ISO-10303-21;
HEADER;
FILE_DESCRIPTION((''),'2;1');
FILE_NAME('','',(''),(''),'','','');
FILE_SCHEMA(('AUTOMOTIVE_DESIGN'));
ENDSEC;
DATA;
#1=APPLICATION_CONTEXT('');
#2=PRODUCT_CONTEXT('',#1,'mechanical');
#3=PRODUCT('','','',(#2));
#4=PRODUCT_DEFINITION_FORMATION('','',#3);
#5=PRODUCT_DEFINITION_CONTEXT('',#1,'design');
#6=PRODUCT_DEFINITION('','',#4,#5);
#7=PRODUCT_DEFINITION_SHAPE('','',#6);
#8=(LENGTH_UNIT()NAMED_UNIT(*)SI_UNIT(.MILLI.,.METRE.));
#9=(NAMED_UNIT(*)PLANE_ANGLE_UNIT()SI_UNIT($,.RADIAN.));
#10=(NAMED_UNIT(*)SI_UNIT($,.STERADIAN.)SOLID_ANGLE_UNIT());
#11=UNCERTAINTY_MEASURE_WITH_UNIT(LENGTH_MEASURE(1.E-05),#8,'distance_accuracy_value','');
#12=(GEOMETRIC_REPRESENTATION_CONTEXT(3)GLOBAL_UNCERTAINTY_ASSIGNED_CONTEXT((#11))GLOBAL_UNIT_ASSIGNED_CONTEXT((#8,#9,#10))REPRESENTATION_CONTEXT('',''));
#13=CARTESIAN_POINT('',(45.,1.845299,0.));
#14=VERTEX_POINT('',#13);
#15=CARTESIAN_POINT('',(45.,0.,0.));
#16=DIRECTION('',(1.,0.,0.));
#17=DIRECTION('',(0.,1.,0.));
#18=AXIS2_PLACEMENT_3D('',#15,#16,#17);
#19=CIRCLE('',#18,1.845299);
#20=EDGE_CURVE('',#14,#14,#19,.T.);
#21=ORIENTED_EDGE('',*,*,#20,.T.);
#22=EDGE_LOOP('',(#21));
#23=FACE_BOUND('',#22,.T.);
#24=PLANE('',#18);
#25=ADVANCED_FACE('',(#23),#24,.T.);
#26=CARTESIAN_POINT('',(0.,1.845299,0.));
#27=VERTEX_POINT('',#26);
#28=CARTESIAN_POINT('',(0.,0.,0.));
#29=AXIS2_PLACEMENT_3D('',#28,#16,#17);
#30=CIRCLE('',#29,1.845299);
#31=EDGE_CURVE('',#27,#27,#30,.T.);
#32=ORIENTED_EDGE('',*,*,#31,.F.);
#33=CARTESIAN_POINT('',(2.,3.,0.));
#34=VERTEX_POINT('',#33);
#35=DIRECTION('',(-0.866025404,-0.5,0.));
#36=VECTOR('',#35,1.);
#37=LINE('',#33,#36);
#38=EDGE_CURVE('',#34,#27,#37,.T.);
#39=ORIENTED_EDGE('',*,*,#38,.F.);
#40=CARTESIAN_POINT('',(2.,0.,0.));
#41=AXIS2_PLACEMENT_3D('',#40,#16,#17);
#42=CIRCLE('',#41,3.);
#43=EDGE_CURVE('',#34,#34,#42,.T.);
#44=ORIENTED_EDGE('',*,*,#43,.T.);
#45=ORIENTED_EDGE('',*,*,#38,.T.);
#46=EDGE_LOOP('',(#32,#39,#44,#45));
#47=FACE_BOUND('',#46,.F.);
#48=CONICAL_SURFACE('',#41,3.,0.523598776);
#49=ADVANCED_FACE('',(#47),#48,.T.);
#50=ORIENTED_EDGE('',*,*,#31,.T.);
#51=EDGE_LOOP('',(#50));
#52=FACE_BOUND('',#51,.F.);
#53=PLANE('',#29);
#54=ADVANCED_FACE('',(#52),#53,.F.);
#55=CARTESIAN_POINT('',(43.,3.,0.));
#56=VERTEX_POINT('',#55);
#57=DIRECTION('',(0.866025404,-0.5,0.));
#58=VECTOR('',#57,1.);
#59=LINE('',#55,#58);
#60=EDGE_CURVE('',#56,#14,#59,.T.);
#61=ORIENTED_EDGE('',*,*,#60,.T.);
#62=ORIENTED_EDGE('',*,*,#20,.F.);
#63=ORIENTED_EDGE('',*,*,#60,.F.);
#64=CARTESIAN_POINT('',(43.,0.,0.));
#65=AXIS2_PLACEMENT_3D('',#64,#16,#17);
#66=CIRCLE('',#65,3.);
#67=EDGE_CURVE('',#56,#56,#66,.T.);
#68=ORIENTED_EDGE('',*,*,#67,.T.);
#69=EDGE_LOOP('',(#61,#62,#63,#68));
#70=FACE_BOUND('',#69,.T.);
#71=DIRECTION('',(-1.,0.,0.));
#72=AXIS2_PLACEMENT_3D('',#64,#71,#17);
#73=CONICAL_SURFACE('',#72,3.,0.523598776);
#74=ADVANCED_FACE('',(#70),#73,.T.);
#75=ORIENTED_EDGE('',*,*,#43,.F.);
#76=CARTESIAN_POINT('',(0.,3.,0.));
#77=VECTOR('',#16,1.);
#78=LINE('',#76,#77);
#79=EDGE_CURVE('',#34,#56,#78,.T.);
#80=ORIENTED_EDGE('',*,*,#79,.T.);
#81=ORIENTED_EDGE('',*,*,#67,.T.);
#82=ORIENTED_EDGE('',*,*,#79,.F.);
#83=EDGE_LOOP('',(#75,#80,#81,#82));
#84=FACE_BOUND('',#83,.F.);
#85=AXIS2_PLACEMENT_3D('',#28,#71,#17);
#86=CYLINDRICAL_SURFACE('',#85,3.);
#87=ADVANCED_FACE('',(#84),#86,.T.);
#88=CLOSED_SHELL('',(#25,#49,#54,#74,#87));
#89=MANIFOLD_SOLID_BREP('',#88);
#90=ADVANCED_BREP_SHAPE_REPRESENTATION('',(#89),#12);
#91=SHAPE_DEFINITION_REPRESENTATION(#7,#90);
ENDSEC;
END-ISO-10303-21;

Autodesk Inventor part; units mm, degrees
ref_plane "YZ Plane" through (0, 0, 0) normal (1, 0, 0) x (0, 1, 0)
ref_plane "XZ Plane" through (0, 0, 0) normal (0, 1, 0) x (-1, 0, 0)
ref_plane "XY Plane" through (0, 0, 0) normal (0, 0, 1) x (1, 0, 0)
sketch "Эскиз" plane through (0, 0, 0) normal (1, 0, 0) x (0, 1, 0)
  circle A0 centre (0, 0) radius 3
  dimension "d1" = 6
extrude "Базовый элемент" add sketch "Эскиз" along normal blind 45
chamfer "Фаска1" distance 2 angle 30 1 edges at (0, -3, 0) measured on face at (15, 2.9612, -0.4812)
chamfer "Эскиз2" distance 2 angle 30 1 edges at (45, -3, 0) measured on face at (30.6667, 2.9903, -0.2414)
equation "\"d1\" = NND"
equation "\"d2\" = NLG"
equation "\"d8\" = PHH"
equation "\"d9\" = FAWI"
equation "\"d12\" = PHH"
equation "\"d4\" = PHH"
equation "\"d5\" = FAWI"
equation "\"d11\" = PHH"
equation "\"NND\" = 6"
equation "\"NLG\" = 45"
equation "\"PHH\" = 2"
equation "\"FAWI\" = 30deg"
equation "\"DIST1\" = 3.2"
equation "\"DIST2\" = DIST1"
equation "\"BOR1\" = 1.6"
equation "\"FAWI2\" = 30deg"
equation "\"BOR2\" = BOR1"
equation "\"PHH2\" = PHH"
properties part number "ISO 2340 - A - 6 x 45" material "Сталь"
